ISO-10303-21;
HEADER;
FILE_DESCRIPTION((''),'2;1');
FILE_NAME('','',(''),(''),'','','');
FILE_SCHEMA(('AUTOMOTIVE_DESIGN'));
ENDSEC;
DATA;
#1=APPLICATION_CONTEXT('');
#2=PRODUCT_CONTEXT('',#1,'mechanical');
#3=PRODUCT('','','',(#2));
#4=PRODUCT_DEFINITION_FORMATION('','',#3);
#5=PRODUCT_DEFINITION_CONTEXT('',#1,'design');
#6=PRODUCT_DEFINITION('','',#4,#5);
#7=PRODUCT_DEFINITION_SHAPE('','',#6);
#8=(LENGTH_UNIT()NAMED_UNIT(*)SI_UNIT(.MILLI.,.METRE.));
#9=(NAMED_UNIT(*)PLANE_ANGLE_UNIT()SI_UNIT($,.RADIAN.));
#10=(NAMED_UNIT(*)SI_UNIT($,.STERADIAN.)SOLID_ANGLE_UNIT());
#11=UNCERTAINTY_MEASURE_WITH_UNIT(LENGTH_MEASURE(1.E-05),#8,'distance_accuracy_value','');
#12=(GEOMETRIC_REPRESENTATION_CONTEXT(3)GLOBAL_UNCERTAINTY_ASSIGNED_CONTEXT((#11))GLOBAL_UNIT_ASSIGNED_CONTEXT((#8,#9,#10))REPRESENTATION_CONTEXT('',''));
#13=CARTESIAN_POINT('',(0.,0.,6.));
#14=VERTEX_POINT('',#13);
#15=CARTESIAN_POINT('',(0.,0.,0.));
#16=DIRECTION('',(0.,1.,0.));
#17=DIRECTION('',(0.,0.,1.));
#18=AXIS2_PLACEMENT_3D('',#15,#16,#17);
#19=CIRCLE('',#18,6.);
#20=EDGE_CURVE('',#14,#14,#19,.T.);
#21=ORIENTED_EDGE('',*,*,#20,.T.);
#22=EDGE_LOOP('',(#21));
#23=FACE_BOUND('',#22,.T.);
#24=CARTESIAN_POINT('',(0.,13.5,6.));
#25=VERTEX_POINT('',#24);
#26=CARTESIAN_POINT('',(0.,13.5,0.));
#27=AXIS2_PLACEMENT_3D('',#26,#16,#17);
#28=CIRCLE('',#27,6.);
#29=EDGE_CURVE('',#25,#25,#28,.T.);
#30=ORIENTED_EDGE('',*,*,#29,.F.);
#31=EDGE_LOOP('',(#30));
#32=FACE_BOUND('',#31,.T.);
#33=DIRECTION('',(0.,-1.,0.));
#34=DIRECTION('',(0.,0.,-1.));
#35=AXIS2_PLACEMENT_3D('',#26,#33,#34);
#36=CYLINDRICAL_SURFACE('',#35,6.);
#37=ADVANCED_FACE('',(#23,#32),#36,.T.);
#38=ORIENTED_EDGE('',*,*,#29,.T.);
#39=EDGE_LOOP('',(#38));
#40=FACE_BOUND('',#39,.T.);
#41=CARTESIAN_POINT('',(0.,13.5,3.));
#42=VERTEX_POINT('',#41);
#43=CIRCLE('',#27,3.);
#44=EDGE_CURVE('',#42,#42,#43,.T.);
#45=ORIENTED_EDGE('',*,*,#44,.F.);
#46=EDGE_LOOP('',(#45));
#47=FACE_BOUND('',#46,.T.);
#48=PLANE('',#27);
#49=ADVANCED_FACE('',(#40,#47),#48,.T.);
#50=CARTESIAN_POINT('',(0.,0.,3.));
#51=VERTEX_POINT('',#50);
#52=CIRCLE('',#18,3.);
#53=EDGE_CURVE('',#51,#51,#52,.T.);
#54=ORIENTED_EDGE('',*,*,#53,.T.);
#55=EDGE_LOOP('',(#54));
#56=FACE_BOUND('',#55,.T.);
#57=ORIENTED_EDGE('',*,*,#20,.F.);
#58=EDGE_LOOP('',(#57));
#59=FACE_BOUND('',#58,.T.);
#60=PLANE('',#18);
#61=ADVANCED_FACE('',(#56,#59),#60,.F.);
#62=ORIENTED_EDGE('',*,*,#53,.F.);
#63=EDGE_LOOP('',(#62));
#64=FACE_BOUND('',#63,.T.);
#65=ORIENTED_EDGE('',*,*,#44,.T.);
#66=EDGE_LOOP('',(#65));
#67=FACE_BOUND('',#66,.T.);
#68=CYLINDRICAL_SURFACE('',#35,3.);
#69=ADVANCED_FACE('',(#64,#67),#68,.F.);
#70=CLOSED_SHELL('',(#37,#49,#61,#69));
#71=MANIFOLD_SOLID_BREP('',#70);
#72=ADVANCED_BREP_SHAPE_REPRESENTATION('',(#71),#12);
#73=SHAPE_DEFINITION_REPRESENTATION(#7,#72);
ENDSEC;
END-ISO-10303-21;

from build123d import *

# Parameters (mm, degrees)
SKETCH_1_R      = 6
SKETCH_1_R_2    = 3
EXTRUDE_1_DEPTH = 13.5


with BuildPart() as part:
    # 스케치1 → 보스-돌출1 (new body)
    with BuildSketch(Plane(origin=(0, 0, 0), x_dir=(1, 0, 0), z_dir=(0, 1, 0))):
        Circle(SKETCH_1_R)
        Circle(SKETCH_1_R_2, mode=Mode.SUBTRACT)
    extrude(amount=EXTRUDE_1_DEPTH)


solid = part.part
